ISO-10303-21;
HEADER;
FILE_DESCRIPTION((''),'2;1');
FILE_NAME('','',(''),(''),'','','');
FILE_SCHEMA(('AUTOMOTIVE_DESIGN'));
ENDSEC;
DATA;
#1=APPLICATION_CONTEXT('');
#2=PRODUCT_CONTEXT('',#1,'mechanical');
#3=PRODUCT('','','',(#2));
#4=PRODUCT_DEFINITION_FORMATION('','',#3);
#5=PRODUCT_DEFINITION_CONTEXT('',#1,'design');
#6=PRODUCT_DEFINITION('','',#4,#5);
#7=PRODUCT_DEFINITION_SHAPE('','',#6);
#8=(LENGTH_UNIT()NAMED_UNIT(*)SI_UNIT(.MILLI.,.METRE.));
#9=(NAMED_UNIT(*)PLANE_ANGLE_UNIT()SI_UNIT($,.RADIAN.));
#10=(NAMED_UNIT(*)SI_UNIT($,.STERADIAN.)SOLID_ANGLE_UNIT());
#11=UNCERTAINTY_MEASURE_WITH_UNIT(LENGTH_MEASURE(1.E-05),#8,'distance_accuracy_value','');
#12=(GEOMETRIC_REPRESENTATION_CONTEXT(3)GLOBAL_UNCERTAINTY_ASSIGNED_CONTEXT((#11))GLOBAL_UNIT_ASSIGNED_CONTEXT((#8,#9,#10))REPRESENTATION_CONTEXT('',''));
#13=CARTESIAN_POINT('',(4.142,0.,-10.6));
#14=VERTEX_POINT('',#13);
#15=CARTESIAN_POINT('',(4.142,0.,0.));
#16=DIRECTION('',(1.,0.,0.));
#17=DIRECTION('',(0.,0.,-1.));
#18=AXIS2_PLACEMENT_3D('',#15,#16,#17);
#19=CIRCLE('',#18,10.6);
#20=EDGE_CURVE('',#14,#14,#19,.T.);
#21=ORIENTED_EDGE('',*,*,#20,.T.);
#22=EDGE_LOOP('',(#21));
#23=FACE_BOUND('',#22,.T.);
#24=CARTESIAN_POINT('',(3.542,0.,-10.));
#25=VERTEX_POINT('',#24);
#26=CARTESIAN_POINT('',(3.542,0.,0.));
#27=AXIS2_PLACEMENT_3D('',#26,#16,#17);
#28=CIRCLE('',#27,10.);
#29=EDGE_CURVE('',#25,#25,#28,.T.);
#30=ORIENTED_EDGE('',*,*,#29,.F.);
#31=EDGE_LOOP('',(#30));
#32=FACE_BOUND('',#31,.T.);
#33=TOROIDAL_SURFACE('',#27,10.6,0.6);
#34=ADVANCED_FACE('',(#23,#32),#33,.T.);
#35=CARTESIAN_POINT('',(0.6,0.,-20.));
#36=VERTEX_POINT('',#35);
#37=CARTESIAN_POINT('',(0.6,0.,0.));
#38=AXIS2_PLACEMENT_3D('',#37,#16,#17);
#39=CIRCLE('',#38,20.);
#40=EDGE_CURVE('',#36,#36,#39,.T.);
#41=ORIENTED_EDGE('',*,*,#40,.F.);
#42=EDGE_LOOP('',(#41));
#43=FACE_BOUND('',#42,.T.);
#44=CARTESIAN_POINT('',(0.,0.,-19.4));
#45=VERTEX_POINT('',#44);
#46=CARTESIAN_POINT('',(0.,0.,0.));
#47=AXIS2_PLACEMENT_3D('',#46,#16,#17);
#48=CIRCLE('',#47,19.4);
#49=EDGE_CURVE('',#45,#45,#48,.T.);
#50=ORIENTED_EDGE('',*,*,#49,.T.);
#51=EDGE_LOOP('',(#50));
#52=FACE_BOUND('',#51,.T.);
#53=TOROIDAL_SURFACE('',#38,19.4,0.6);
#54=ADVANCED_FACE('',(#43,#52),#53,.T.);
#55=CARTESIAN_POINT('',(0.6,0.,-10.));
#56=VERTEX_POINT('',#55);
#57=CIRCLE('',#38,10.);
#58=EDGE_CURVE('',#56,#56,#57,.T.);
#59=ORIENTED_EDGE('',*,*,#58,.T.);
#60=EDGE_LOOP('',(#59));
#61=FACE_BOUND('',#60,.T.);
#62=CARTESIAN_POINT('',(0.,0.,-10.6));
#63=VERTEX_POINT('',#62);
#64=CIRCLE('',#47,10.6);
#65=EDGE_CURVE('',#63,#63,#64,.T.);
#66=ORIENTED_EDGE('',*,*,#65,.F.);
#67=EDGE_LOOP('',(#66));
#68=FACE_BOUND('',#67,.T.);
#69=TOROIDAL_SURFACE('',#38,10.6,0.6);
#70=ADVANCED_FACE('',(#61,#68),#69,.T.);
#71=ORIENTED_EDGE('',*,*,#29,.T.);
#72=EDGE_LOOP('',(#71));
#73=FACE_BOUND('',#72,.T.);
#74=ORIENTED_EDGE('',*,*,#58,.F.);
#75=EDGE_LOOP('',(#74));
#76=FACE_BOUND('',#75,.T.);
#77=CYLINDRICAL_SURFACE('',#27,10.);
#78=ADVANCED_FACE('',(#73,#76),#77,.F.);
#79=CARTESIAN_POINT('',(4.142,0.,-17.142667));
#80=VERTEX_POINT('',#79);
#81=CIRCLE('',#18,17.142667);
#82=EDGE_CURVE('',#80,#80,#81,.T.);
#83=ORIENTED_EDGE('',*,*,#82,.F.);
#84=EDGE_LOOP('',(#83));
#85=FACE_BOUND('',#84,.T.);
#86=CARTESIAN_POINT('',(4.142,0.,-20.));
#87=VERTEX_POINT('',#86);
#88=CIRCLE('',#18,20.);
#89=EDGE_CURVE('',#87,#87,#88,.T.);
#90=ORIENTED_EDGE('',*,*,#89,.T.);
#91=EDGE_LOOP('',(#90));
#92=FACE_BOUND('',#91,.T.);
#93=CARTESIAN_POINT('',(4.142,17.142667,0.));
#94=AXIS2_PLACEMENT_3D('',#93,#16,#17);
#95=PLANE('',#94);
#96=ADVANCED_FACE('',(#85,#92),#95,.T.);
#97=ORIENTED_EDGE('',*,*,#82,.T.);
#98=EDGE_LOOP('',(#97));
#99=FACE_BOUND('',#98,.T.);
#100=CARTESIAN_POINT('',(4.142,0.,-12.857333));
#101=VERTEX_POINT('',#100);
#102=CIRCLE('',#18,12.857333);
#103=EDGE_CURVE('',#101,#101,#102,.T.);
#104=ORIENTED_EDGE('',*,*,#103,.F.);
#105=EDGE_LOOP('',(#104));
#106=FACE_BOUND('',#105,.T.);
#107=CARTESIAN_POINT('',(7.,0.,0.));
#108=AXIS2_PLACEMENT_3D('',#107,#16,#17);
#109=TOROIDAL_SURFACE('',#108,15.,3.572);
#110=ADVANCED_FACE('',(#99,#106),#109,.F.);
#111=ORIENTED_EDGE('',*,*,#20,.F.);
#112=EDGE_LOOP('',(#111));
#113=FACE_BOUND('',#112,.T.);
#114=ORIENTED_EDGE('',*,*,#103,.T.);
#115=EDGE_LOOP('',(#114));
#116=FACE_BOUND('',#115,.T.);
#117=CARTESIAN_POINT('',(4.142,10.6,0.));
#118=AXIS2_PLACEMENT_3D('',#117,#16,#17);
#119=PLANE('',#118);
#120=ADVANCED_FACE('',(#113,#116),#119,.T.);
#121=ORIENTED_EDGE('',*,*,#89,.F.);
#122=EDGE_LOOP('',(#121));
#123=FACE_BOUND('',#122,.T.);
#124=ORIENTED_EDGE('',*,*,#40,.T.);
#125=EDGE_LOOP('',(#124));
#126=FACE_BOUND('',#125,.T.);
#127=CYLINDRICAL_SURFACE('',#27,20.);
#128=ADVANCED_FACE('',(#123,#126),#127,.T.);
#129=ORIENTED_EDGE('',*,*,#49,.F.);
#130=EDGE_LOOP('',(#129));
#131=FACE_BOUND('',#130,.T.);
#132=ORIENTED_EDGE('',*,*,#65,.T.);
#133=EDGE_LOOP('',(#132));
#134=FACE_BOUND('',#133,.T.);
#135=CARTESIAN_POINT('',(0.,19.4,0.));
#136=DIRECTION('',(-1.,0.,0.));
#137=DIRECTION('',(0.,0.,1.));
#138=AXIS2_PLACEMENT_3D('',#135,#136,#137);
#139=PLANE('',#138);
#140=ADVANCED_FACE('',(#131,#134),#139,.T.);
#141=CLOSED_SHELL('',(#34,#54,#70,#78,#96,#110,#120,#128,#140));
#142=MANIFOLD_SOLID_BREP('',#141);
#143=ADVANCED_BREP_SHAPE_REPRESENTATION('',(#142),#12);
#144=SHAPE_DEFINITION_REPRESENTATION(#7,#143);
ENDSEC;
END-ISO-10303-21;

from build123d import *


with BuildPart() as part:
    # Croquis1 → Revolución1 (revolve)
    with BuildSketch(Plane.XY):
        with BuildLine():
            Line((0.6, 10), (3.542, 10))
            ThreePointArc((3.542, 10), (3.966264069, 10.175735931), (4.142, 10.6))
            Line((4.142, 10.6), (4.142, 12.857333437))
            ThreePointArc((4.142, 12.857333437), (3.428, 15), (4.142, 17.142666563))
            Line((4.142, 17.142666563), (4.142, 20))
            Line((4.142, 20), (0.6, 20))
            ThreePointArc((0.6, 20), (0.175735931, 19.824264069), (0, 19.4))
            Line((0, 19.4), (0, 10.6))
            ThreePointArc((0, 10.6), (0.175735931, 10.175735931), (0.6, 10))
        make_face()
    revolve(axis=Axis((3.542, 0, 0), (-1, 0, 0)))


solid = part.part
